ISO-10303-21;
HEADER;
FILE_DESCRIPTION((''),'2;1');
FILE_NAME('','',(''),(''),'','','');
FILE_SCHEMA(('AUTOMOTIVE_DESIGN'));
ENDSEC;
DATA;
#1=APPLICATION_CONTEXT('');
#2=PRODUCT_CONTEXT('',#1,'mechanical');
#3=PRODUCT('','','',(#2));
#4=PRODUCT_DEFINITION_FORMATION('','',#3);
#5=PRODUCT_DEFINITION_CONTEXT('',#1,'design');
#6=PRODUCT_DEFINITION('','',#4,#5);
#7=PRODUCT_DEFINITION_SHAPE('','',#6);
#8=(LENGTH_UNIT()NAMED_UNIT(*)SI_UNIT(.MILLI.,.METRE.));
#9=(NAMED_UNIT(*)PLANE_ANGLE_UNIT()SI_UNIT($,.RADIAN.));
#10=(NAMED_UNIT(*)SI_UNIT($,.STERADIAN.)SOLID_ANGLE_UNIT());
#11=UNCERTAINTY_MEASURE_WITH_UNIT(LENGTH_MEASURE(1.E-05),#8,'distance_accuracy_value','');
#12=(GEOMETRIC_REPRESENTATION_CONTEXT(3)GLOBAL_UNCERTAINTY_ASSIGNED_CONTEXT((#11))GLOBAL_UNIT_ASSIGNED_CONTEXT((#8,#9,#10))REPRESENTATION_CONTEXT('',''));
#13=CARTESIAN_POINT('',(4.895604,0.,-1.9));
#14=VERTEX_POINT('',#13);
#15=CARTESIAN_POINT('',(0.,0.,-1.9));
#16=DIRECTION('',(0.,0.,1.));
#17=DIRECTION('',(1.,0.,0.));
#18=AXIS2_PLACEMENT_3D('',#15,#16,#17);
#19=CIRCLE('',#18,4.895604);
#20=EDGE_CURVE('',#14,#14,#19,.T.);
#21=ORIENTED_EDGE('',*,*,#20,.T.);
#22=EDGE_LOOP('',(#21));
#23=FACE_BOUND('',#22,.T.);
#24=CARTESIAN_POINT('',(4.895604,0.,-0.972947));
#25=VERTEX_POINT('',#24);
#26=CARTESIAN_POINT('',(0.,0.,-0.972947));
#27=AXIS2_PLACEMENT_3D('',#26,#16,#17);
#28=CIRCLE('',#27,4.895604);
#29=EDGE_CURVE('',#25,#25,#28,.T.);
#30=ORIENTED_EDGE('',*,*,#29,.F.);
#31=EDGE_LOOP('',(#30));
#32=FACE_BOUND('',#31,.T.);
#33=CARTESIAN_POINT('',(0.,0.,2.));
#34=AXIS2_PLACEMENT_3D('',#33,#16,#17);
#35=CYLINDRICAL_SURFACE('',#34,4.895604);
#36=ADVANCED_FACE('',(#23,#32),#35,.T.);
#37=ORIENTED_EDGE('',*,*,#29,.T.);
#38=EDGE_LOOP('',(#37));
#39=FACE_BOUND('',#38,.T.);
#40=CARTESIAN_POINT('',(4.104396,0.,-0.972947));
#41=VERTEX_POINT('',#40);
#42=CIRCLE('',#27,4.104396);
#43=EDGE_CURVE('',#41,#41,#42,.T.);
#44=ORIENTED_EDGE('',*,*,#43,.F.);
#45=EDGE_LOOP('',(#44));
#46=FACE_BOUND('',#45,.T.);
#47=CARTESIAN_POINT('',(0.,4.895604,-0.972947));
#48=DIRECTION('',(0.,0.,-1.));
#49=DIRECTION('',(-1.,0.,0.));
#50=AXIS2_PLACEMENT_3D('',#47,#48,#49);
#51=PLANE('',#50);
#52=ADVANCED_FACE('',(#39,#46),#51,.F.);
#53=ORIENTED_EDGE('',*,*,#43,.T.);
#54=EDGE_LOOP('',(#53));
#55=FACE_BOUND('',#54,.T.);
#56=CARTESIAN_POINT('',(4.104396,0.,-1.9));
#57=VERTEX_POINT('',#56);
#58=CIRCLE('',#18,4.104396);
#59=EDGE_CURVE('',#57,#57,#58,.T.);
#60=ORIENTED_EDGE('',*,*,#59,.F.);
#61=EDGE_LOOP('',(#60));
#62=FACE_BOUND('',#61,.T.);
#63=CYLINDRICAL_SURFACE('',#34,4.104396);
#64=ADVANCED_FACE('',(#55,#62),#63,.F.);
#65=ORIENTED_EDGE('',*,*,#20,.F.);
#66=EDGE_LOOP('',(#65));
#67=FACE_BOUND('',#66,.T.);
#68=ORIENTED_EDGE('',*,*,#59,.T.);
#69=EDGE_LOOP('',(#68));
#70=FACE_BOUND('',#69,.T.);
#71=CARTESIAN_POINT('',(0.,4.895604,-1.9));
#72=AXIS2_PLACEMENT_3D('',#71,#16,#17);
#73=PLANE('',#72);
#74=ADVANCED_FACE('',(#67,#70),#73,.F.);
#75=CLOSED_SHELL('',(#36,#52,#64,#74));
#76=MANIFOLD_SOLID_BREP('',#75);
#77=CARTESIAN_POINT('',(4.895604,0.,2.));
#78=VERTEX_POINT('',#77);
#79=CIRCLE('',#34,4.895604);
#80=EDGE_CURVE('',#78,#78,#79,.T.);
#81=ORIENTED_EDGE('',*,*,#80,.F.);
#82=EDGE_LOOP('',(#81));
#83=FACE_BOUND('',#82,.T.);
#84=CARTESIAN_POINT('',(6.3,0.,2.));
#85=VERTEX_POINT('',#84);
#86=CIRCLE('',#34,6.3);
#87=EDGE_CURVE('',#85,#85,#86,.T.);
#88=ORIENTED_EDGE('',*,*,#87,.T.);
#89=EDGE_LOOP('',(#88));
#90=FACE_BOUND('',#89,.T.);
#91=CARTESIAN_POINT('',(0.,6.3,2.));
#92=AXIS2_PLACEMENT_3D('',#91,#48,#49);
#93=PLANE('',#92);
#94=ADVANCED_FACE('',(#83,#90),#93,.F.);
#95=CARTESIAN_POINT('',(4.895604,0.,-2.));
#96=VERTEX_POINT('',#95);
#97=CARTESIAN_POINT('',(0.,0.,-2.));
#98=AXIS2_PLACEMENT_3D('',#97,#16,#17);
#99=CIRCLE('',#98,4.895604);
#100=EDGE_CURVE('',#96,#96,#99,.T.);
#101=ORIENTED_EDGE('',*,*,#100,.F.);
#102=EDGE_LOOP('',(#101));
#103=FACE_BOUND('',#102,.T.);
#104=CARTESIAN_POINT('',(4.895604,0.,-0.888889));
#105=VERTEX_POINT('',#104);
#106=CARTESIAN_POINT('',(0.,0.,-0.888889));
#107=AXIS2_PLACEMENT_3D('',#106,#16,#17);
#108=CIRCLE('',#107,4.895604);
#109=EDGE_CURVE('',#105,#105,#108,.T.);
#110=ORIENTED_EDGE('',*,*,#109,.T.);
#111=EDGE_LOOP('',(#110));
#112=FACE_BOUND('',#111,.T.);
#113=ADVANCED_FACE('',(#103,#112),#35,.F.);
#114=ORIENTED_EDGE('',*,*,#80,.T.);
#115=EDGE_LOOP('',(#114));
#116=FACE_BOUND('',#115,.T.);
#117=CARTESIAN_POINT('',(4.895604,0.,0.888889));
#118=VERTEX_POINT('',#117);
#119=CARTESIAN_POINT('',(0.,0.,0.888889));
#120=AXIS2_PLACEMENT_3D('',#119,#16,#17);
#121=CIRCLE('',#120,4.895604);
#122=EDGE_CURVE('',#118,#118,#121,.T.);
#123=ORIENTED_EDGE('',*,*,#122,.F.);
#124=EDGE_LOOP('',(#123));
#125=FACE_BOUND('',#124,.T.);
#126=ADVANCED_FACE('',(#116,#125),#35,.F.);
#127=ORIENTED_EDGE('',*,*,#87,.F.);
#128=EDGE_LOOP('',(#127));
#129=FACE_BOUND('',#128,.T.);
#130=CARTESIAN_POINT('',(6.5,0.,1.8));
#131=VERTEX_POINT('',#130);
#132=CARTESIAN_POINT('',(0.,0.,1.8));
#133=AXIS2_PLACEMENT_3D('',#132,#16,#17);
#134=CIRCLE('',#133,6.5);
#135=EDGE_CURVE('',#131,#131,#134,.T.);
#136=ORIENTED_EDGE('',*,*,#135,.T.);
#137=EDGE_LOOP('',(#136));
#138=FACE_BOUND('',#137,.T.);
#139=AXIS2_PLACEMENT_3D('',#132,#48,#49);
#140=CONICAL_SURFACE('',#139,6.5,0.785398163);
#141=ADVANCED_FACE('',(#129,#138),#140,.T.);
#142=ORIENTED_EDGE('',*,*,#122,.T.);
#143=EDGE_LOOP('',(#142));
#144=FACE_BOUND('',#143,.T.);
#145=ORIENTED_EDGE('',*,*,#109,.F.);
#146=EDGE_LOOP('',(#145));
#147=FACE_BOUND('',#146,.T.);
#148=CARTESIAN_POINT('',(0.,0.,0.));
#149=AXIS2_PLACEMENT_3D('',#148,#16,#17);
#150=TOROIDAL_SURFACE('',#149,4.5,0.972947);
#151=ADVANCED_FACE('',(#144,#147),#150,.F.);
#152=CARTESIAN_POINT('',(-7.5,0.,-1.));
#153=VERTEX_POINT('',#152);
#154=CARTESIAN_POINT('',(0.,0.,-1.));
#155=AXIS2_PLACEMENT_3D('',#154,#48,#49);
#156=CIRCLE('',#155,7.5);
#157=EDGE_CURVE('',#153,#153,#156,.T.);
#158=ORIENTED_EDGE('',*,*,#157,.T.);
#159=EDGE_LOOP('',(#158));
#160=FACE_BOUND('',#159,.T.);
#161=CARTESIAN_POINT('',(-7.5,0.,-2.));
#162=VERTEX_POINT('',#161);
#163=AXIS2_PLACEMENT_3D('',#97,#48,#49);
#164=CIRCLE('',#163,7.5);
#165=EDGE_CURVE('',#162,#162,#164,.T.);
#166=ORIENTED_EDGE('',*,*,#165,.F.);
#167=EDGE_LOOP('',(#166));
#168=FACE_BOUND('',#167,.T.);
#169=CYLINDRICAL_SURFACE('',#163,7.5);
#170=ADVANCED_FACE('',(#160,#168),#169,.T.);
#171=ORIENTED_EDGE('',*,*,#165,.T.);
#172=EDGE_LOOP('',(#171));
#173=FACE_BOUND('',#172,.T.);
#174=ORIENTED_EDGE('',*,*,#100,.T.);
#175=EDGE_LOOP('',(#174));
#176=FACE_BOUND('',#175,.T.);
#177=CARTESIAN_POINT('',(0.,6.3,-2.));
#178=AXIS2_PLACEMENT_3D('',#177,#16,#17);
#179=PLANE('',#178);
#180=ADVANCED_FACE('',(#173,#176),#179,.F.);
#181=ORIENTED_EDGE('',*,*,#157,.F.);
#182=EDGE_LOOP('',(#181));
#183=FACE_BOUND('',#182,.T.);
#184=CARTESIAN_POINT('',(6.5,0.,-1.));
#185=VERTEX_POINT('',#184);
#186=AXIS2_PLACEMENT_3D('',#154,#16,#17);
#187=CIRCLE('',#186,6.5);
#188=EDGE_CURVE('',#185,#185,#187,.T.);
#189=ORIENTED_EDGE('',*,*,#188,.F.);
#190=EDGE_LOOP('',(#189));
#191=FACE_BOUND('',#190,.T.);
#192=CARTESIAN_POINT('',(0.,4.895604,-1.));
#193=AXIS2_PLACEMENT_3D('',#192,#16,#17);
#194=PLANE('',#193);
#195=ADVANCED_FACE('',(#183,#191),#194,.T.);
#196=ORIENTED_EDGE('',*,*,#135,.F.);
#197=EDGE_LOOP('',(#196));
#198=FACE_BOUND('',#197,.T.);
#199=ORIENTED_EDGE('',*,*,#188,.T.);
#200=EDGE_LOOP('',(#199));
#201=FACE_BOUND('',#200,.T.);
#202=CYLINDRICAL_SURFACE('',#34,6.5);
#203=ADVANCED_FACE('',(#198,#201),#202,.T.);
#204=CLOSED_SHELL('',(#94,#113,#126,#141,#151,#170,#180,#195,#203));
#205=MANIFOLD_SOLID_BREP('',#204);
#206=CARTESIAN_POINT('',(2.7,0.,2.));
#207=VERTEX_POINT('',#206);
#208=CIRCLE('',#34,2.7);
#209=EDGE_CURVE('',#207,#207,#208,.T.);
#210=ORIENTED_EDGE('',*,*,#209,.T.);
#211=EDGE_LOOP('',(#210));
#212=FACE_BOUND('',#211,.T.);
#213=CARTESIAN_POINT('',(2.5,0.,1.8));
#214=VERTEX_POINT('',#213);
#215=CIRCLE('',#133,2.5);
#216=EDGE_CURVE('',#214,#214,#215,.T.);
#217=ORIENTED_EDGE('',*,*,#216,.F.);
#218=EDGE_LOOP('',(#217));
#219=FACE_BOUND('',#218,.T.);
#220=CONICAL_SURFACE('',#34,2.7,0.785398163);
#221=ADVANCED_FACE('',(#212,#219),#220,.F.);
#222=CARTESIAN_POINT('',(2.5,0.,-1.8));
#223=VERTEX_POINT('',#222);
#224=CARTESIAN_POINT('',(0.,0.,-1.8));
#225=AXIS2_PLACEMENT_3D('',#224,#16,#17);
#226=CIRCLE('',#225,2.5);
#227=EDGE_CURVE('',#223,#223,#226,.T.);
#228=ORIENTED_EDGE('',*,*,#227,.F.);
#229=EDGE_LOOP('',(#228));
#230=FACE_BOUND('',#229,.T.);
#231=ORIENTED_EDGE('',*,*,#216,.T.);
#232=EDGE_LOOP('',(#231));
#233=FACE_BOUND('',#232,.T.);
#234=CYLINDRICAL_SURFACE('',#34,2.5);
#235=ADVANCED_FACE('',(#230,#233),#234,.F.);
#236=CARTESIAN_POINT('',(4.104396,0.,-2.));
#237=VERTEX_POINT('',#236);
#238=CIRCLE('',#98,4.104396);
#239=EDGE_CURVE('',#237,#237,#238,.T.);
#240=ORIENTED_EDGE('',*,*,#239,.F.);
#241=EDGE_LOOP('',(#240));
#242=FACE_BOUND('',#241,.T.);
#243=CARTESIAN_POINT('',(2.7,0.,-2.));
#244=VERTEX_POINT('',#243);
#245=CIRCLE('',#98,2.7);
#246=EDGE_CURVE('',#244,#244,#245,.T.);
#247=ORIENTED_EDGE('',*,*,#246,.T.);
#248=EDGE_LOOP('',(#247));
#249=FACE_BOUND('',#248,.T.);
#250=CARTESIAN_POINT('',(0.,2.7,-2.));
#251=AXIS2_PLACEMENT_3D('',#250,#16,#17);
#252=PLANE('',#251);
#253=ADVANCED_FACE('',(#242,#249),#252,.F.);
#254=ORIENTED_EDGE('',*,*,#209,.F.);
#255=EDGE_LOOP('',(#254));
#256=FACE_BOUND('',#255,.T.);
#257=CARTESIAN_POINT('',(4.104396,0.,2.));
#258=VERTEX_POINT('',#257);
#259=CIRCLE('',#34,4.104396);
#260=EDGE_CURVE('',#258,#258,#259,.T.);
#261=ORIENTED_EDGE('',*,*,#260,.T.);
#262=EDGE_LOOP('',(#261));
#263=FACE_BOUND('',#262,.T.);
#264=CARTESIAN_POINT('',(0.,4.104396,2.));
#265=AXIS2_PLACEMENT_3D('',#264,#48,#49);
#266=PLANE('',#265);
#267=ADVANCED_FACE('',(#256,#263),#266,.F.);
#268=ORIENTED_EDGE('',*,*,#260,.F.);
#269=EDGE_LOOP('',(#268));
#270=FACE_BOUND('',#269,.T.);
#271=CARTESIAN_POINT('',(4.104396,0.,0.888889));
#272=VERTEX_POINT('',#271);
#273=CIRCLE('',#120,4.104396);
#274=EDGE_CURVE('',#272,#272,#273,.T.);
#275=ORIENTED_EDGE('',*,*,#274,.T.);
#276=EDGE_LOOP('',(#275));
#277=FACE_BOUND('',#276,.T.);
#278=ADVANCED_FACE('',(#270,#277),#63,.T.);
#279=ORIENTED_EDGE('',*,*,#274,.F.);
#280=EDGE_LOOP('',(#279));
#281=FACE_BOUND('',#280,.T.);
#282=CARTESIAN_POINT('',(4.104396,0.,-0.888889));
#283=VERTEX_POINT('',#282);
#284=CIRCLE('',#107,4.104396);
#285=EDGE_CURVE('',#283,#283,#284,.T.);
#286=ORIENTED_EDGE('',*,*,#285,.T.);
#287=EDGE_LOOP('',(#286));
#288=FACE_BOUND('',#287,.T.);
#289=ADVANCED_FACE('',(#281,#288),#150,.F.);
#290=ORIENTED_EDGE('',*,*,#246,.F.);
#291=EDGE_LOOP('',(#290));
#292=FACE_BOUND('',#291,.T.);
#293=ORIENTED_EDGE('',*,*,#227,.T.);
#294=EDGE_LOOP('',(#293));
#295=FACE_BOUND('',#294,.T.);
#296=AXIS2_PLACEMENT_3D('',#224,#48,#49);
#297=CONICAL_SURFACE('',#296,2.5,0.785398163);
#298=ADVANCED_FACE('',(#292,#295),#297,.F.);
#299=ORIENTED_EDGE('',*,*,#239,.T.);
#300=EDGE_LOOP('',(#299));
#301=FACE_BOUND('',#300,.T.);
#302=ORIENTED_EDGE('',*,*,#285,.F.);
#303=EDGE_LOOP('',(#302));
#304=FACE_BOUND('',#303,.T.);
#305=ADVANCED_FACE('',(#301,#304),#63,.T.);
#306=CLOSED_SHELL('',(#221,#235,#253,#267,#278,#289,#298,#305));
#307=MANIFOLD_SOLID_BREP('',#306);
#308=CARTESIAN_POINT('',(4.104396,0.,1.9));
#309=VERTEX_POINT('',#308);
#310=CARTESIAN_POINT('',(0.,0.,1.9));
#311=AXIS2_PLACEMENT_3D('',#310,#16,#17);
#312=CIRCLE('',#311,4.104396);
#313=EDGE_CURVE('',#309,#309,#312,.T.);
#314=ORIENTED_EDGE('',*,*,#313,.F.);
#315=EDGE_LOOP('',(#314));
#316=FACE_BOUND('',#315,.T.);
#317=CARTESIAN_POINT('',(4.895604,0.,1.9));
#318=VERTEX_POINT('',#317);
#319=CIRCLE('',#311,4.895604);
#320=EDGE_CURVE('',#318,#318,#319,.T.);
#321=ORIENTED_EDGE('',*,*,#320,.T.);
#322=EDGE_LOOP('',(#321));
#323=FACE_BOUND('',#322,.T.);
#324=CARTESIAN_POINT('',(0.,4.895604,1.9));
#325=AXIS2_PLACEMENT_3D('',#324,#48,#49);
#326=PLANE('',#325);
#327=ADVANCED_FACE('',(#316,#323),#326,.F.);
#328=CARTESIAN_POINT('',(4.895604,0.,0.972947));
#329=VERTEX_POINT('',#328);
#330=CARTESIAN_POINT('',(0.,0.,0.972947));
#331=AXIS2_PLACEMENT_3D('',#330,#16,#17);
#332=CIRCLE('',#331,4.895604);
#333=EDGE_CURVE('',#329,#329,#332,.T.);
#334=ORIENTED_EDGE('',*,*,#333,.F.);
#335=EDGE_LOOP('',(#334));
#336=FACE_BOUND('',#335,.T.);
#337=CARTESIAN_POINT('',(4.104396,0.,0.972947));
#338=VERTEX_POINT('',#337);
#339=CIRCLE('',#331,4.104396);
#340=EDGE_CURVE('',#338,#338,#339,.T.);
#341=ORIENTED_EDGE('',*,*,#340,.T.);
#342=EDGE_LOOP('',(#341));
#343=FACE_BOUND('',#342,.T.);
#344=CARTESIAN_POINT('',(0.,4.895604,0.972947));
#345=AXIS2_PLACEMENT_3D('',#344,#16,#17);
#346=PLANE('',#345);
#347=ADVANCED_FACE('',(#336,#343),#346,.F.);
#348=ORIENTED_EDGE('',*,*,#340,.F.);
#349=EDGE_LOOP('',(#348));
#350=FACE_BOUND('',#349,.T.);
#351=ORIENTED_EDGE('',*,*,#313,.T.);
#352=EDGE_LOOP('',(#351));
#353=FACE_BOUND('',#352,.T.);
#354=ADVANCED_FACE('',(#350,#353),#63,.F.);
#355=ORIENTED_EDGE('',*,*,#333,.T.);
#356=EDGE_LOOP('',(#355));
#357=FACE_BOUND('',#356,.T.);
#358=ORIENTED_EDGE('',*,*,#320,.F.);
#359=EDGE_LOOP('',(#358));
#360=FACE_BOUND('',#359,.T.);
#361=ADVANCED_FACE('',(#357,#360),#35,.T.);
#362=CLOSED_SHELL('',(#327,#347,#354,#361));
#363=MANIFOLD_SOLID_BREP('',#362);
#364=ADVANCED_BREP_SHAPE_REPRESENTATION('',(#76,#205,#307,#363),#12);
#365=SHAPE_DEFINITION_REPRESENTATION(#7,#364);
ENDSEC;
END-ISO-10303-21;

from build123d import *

# Parameters (mm, degrees)
SKETCH5_W = 0.927052779
SKETCH5_H = 0.791208792
SKETCH6_W = 1
SKETCH6_H = 2.604395604


with BuildPart() as part:
    # Sketch1 → Revolve1 (revolve)
    with BuildSketch(Plane(origin=(0, 0, 0), x_dir=(0, 0, -1), z_dir=(1, 0, 0)), mode=Mode.PRIVATE) as revolve1_sk:
        with BuildLine():
            Line((1.8, 6.5), (-1.8, 6.5))
            Line((-1.8, 6.5), (-2, 6.3))
            Line((-2, 6.3), (-2, 4.895604396))
            Line((-2, 4.895604396), (-0.888888889, 4.895604396))
            ThreePointArc((-0.888888889, 4.895604396), (0, 5.472947221), (0.888888889, 4.895604396))
            Line((0.888888889, 4.895604396), (2, 4.895604396))
            Line((2, 4.895604396), (2, 6.3))
            Line((2, 6.3), (1.8, 6.5))
        make_face()
    revolve(revolve1_sk.sketch.rotate(Axis((0, 0, 2), (0, 0, -1)), 90), axis=Axis((0, 0, 2), (0, 0, -1)))

    # Sketch6 → Revolve6 (revolve)
    with BuildSketch(Plane(origin=(0, 0, 0), x_dir=(0, 0, -1), z_dir=(1, 0, 0)), mode=Mode.PRIVATE) as revolve6_sk:
        with Locations((1.5, 6.197802198)):
            Rectangle(SKETCH6_W, SKETCH6_H)
    revolve(revolve6_sk.sketch.rotate(Axis((0, 0, -2), (0, 0, 1)), 270), axis=Axis((0, 0, -2), (0, 0, 1)))


with BuildPart() as body_2:
    # Sketch3 → Revolve3 (revolve)
    with BuildSketch(Plane(origin=(0, 0, 0), x_dir=(0, 0, -1), z_dir=(1, 0, 0)), mode=Mode.PRIVATE) as revolve3_sk:
        with BuildLine():
            Line((-2, 4.104395604), (-0.888888889, 4.104395604))
            ThreePointArc((-0.888888889, 4.104395604), (0, 3.527052779), (0.888888889, 4.104395604))
            Line((0.888888889, 4.104395604), (2, 4.104395604))
            Line((2, 4.104395604), (2, 2.7))
            Line((2, 2.7), (1.8, 2.5))
            Line((1.8, 2.5), (-1.8, 2.5))
            Line((-1.8, 2.5), (-2, 2.7))
            Line((-2, 2.7), (-2, 4.104395604))
        make_face()
    revolve(revolve3_sk.sketch.rotate(Axis((0, 0, 2), (0, 0, -1)), 90), axis=Axis((0, 0, 2), (0, 0, -1)))


with BuildPart() as body_3:
    # Sketch5 → Revolve5 (revolve)
    with BuildSketch(Plane(origin=(0, 0, 0), x_dir=(0, 0, -1), z_dir=(1, 0, 0)), mode=Mode.PRIVATE) as revolve5_sk:
        with Locations((-1.436473611, 4.5)):
            Rectangle(SKETCH5_W, SKETCH5_H)
        with Locations((1.436473611, 4.5)):
            Rectangle(SKETCH5_W, SKETCH5_H)
    revolve(revolve5_sk.sketch.rotate(Axis((0, 0, 2), (0, 0, -1)), 90), axis=Axis((0, 0, 2), (0, 0, -1)))


solid = Compound([part.part, body_2.part, body_3.part])
